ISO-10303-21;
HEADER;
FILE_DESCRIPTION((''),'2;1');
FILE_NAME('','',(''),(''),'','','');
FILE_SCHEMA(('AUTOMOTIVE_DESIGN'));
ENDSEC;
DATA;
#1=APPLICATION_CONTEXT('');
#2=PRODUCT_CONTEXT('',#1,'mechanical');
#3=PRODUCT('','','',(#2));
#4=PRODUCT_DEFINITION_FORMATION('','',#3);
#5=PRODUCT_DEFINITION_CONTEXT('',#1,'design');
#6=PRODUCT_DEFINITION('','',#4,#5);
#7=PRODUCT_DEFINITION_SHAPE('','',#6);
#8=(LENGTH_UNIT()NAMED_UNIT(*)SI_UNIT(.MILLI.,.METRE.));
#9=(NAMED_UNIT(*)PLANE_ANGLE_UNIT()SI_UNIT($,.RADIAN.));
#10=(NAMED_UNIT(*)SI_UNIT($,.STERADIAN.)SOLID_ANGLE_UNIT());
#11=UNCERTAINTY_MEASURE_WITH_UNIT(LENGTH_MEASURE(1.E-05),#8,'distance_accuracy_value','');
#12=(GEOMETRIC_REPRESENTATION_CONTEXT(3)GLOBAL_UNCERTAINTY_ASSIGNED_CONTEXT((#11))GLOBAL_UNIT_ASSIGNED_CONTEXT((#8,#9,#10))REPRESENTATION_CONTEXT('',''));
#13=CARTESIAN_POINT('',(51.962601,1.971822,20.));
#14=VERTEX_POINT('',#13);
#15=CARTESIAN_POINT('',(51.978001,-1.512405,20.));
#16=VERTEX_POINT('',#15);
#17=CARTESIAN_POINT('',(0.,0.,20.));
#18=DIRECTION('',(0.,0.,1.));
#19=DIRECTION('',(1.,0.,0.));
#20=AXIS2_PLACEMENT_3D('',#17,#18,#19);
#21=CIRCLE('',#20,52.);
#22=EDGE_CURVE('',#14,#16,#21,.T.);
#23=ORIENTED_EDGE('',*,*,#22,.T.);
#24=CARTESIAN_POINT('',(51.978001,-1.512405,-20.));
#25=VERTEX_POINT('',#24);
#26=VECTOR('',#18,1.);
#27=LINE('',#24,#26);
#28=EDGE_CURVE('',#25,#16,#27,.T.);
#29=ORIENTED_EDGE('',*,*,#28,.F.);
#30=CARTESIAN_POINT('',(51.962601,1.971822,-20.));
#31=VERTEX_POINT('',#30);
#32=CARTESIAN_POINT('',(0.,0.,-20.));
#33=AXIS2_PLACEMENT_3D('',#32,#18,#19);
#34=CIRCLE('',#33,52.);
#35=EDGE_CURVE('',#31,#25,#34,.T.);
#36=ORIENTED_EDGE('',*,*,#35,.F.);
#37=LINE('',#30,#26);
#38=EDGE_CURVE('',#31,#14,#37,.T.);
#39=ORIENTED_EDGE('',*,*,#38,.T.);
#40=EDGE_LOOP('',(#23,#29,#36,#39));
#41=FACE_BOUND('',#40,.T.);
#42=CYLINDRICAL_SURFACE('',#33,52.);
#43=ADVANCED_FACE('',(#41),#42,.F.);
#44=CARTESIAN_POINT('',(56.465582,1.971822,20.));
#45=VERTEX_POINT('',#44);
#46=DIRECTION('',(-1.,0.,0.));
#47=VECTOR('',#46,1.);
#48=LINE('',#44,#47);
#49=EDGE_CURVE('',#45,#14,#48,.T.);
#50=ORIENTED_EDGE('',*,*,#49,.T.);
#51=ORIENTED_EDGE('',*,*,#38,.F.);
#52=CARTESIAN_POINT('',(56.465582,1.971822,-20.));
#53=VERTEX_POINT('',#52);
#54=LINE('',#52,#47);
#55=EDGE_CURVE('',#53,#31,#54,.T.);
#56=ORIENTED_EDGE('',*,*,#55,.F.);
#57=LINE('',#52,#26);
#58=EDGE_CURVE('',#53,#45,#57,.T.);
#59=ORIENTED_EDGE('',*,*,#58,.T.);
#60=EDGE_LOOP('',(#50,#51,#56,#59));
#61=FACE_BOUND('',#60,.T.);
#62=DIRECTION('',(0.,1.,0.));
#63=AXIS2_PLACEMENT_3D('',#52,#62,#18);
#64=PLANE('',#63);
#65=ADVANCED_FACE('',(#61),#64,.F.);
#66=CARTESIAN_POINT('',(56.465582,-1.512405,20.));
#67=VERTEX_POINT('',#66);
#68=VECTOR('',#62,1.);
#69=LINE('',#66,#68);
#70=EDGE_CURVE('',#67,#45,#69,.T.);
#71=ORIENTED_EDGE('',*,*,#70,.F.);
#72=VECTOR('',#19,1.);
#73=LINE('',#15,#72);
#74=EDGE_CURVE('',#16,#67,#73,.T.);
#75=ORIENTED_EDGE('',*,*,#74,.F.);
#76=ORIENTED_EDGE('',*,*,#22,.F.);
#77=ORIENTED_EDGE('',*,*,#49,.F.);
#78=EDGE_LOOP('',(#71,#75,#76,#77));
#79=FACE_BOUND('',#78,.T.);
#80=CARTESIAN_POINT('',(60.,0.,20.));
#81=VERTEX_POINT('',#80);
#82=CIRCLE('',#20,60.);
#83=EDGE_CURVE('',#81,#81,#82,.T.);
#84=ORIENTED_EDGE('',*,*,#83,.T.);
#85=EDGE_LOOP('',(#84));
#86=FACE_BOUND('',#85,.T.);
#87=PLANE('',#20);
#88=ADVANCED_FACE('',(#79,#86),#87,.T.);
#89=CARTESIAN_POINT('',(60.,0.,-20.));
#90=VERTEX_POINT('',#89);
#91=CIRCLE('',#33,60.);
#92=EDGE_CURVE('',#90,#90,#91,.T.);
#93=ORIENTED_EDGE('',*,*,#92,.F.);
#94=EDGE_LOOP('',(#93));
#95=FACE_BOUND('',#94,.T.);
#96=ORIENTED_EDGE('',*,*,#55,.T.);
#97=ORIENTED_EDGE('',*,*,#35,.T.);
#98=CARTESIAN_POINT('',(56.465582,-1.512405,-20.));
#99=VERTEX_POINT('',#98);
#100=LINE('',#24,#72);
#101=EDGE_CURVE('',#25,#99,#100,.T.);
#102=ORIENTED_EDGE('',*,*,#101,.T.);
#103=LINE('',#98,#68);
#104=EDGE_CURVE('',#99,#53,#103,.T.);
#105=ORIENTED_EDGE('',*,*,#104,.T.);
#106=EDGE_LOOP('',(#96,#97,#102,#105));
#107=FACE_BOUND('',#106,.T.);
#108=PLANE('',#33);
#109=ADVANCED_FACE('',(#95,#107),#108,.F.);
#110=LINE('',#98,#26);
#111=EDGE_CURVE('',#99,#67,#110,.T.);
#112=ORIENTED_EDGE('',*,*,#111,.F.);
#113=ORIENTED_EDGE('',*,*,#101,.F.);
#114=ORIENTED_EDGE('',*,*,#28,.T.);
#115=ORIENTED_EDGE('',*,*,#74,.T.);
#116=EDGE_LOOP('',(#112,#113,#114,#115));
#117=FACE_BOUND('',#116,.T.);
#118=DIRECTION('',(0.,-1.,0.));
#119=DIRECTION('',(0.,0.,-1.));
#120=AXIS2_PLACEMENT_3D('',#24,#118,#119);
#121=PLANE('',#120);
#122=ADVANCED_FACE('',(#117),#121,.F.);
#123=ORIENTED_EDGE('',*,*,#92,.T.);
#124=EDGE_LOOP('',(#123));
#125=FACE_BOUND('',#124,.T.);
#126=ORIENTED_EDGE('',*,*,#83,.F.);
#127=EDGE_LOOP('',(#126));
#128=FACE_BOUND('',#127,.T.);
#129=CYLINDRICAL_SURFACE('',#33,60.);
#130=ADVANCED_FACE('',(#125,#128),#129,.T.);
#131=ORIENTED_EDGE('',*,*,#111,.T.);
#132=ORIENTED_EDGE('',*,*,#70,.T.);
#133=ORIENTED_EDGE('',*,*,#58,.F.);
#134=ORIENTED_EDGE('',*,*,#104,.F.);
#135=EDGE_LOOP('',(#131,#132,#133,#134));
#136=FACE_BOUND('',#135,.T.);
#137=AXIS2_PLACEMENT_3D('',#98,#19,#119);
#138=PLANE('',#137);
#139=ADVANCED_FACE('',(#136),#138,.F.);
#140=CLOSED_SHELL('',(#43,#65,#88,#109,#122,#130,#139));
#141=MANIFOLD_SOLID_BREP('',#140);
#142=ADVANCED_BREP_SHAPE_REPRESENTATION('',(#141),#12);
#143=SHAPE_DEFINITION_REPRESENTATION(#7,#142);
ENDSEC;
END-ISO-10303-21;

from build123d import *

# Parameters (mm, degrees)
BOSS_EXTRUDE1_DEPTH      = 20
BOSS_EXTRUDE1_DEPTH_BACK = 20
SKETCH1_R                = 60
SKETCH1_R_2              = 52
CUT_EXTRUDE1_DEPTH       = 20
CUT_EXTRUDE1_DEPTH_BACK  = 20


with BuildPart() as part:
    # Sketch1 → Boss-Extrude1 (new, two sides: drawn at the far end of the back side and taken through both)
    with BuildSketch(Plane.XY.offset(-BOSS_EXTRUDE1_DEPTH_BACK)):
        Circle(SKETCH1_R)
        Circle(SKETCH1_R_2, mode=Mode.SUBTRACT)
    extrude(amount=BOSS_EXTRUDE1_DEPTH + BOSS_EXTRUDE1_DEPTH_BACK)

    # Sketch2 → Cut-Extrude1 (cut, two sides: drawn at the far end of the back side and taken through both)
    with BuildSketch(Plane.XY.offset(-CUT_EXTRUDE1_DEPTH_BACK)):
        Polygon((51.978001404, -1.512405375), (56.465581727, -1.512405375), (56.465581727, 1.971821564), (51.962601164, 1.971821564), align=None)
    extrude(amount=CUT_EXTRUDE1_DEPTH + CUT_EXTRUDE1_DEPTH_BACK, mode=Mode.SUBTRACT)


solid = part.part
